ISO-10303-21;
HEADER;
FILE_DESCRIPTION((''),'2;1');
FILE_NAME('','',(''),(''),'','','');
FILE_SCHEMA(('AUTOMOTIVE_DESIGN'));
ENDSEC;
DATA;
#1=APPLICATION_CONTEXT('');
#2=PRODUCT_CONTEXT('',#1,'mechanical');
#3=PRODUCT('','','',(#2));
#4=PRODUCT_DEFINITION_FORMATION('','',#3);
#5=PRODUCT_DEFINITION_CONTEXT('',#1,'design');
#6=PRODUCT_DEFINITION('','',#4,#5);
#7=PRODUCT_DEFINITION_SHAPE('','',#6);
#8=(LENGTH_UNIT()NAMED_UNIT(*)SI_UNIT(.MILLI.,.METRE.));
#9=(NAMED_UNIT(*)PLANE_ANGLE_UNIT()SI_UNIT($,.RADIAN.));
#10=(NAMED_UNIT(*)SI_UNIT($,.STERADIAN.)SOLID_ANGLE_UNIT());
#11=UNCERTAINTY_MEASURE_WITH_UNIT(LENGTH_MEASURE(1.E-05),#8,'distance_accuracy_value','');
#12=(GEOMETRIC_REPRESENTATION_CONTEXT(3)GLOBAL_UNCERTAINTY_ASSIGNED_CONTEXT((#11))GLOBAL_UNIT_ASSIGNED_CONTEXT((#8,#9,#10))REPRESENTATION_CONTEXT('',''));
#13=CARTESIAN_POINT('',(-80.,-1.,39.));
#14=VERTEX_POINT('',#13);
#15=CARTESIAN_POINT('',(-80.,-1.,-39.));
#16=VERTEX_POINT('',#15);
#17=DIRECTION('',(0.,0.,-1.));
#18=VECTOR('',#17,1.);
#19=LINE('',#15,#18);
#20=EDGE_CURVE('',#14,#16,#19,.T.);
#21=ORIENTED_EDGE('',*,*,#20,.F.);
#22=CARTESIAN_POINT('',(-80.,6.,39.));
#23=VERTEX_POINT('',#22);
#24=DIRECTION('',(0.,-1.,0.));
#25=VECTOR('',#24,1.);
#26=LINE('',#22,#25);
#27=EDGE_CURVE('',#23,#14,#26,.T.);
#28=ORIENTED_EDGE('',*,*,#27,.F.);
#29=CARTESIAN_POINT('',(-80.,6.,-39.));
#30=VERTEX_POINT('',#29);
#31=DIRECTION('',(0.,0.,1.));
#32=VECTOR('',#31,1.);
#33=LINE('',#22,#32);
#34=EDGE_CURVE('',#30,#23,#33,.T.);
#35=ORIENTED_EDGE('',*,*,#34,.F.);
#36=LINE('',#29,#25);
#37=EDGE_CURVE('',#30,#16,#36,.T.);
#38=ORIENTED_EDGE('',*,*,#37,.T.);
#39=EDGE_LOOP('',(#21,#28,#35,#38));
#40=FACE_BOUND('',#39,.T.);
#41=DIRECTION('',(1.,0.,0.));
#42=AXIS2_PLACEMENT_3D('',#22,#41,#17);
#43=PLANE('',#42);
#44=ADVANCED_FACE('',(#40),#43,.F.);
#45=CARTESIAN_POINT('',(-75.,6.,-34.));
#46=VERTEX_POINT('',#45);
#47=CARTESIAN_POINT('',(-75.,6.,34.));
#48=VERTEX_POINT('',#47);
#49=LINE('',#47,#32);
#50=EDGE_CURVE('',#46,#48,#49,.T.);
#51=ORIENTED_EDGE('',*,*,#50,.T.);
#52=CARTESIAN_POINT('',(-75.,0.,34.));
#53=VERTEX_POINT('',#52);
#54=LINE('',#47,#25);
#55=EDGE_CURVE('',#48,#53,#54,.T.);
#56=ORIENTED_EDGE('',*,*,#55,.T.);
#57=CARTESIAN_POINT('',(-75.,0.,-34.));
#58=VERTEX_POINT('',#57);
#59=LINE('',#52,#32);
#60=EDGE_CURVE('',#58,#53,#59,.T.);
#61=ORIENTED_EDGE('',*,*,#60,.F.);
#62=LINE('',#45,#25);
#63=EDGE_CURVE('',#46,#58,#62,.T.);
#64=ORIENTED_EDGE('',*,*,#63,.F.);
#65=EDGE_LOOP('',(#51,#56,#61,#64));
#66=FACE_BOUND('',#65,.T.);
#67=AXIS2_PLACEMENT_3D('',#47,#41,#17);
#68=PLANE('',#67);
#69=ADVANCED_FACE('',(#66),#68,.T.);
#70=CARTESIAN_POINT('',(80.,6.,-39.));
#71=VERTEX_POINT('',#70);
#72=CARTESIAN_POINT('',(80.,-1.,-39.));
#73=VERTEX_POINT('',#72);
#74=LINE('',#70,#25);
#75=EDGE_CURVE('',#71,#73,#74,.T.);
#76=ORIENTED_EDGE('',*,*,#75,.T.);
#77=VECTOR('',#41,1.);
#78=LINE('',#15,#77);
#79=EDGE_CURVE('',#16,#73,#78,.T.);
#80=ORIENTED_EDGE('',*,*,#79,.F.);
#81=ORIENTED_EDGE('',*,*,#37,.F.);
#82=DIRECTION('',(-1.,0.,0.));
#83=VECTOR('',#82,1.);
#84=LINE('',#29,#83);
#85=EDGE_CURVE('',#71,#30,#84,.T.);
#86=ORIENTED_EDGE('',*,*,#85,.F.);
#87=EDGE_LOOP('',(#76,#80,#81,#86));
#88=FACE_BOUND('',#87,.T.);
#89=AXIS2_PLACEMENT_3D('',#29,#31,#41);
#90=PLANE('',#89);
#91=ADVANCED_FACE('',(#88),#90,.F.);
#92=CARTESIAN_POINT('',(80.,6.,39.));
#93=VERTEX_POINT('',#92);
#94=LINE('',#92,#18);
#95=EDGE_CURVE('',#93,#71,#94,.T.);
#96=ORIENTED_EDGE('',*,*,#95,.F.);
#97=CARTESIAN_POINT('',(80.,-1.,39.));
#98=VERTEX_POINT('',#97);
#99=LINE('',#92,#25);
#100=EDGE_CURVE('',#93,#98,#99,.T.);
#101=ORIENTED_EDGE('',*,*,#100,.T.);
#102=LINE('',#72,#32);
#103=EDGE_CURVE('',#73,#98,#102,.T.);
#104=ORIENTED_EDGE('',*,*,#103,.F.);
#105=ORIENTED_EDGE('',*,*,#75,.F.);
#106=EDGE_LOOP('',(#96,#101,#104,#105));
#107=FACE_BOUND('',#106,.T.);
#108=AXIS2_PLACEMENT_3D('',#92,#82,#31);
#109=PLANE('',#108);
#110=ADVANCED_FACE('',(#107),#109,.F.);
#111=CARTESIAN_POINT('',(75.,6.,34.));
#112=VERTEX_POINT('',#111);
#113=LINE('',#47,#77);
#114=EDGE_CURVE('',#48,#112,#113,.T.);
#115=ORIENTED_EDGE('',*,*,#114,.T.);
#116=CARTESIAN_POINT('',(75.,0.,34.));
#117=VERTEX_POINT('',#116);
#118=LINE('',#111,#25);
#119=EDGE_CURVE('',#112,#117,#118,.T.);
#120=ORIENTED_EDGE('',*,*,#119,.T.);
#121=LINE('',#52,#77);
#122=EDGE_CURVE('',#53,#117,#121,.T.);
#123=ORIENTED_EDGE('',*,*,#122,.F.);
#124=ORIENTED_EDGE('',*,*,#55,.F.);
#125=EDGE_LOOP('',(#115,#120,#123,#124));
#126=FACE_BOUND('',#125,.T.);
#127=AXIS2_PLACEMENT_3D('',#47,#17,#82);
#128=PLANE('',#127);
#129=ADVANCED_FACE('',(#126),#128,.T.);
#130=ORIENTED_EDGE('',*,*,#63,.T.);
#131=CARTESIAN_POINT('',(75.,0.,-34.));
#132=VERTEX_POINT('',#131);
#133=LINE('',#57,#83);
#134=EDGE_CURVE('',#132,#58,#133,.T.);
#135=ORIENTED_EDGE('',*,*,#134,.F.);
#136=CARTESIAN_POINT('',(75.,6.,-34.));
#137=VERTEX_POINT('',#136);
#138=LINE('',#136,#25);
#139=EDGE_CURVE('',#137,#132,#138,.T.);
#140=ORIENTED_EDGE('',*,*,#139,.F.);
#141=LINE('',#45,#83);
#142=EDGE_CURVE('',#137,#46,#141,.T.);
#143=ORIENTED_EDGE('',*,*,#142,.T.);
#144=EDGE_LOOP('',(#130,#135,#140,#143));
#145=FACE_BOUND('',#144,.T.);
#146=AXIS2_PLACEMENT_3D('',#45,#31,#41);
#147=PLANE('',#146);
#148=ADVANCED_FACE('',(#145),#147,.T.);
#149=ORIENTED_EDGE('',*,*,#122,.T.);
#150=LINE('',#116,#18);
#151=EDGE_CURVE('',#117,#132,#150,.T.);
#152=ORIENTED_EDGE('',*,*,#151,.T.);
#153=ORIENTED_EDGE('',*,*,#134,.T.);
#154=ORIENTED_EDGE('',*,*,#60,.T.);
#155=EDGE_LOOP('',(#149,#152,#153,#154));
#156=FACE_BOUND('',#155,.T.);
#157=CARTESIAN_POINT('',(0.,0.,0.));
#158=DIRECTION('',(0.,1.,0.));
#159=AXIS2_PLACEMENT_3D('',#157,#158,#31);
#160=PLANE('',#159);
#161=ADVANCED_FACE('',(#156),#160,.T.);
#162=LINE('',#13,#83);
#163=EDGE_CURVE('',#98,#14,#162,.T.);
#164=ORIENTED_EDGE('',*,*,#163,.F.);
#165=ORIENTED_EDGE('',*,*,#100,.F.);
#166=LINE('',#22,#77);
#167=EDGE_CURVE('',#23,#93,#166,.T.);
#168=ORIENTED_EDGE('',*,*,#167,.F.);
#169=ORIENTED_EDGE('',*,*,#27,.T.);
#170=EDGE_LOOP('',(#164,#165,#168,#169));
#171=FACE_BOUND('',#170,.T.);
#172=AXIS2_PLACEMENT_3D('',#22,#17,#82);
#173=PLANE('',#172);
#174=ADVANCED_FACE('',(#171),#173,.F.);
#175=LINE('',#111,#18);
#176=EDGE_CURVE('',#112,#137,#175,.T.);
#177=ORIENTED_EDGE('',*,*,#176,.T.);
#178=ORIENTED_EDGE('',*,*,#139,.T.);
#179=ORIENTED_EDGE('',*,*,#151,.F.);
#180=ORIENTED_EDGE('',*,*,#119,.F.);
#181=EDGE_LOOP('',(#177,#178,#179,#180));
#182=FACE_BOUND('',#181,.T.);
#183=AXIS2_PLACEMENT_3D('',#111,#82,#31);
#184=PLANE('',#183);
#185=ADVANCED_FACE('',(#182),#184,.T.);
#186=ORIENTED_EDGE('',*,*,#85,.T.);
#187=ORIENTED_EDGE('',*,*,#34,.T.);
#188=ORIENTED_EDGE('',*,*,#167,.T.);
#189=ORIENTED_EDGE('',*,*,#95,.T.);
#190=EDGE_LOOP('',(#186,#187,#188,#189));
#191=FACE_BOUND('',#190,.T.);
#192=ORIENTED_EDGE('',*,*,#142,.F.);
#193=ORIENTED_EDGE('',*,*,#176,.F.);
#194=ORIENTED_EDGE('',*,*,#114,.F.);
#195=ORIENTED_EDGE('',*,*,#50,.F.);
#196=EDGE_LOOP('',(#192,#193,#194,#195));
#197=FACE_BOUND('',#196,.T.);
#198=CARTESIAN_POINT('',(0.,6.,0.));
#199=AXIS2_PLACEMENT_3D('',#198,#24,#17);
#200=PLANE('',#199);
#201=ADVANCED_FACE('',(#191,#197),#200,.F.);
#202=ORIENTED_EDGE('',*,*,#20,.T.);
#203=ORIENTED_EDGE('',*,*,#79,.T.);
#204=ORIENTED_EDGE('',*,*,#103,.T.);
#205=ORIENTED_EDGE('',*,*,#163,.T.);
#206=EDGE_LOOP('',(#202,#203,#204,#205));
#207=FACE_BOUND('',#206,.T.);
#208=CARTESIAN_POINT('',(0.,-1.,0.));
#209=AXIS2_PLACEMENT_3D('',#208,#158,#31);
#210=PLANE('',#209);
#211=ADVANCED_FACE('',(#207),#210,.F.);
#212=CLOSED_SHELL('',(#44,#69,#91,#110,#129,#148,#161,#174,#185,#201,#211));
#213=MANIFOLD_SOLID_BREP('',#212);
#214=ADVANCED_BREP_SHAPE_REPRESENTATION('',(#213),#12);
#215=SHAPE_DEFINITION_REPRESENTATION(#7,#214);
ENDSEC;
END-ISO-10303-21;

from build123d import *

# Parameters (mm, degrees)
CROQUIS1_W              = 160
CROQUIS1_H              = 78
CROQUIS1_W_2            = 150
CROQUIS1_H_2            = 68
SALIENTE_EXTRUIR1_DEPTH = 6
CROQUIS2_W              = 160
CROQUIS2_H              = 78
SALIENTE_EXTRUIR2_DEPTH = 1


with BuildPart() as part:
    # Croquis1 → Saliente-Extruir1 (new body)
    with BuildSketch(Plane(origin=(0, 0, 0), x_dir=(1, 0, 0), z_dir=(0, 1, 0))):
        Rectangle(CROQUIS1_W, CROQUIS1_H)
        Rectangle(CROQUIS1_W_2, CROQUIS1_H_2, mode=Mode.SUBTRACT)
    extrude(amount=SALIENTE_EXTRUIR1_DEPTH)

    # Croquis2 → Saliente-Extruir2 (add)
    with BuildSketch(Plane.XZ):
        Rectangle(CROQUIS2_W, CROQUIS2_H)
    extrude(amount=SALIENTE_EXTRUIR2_DEPTH)


solid = part.part
